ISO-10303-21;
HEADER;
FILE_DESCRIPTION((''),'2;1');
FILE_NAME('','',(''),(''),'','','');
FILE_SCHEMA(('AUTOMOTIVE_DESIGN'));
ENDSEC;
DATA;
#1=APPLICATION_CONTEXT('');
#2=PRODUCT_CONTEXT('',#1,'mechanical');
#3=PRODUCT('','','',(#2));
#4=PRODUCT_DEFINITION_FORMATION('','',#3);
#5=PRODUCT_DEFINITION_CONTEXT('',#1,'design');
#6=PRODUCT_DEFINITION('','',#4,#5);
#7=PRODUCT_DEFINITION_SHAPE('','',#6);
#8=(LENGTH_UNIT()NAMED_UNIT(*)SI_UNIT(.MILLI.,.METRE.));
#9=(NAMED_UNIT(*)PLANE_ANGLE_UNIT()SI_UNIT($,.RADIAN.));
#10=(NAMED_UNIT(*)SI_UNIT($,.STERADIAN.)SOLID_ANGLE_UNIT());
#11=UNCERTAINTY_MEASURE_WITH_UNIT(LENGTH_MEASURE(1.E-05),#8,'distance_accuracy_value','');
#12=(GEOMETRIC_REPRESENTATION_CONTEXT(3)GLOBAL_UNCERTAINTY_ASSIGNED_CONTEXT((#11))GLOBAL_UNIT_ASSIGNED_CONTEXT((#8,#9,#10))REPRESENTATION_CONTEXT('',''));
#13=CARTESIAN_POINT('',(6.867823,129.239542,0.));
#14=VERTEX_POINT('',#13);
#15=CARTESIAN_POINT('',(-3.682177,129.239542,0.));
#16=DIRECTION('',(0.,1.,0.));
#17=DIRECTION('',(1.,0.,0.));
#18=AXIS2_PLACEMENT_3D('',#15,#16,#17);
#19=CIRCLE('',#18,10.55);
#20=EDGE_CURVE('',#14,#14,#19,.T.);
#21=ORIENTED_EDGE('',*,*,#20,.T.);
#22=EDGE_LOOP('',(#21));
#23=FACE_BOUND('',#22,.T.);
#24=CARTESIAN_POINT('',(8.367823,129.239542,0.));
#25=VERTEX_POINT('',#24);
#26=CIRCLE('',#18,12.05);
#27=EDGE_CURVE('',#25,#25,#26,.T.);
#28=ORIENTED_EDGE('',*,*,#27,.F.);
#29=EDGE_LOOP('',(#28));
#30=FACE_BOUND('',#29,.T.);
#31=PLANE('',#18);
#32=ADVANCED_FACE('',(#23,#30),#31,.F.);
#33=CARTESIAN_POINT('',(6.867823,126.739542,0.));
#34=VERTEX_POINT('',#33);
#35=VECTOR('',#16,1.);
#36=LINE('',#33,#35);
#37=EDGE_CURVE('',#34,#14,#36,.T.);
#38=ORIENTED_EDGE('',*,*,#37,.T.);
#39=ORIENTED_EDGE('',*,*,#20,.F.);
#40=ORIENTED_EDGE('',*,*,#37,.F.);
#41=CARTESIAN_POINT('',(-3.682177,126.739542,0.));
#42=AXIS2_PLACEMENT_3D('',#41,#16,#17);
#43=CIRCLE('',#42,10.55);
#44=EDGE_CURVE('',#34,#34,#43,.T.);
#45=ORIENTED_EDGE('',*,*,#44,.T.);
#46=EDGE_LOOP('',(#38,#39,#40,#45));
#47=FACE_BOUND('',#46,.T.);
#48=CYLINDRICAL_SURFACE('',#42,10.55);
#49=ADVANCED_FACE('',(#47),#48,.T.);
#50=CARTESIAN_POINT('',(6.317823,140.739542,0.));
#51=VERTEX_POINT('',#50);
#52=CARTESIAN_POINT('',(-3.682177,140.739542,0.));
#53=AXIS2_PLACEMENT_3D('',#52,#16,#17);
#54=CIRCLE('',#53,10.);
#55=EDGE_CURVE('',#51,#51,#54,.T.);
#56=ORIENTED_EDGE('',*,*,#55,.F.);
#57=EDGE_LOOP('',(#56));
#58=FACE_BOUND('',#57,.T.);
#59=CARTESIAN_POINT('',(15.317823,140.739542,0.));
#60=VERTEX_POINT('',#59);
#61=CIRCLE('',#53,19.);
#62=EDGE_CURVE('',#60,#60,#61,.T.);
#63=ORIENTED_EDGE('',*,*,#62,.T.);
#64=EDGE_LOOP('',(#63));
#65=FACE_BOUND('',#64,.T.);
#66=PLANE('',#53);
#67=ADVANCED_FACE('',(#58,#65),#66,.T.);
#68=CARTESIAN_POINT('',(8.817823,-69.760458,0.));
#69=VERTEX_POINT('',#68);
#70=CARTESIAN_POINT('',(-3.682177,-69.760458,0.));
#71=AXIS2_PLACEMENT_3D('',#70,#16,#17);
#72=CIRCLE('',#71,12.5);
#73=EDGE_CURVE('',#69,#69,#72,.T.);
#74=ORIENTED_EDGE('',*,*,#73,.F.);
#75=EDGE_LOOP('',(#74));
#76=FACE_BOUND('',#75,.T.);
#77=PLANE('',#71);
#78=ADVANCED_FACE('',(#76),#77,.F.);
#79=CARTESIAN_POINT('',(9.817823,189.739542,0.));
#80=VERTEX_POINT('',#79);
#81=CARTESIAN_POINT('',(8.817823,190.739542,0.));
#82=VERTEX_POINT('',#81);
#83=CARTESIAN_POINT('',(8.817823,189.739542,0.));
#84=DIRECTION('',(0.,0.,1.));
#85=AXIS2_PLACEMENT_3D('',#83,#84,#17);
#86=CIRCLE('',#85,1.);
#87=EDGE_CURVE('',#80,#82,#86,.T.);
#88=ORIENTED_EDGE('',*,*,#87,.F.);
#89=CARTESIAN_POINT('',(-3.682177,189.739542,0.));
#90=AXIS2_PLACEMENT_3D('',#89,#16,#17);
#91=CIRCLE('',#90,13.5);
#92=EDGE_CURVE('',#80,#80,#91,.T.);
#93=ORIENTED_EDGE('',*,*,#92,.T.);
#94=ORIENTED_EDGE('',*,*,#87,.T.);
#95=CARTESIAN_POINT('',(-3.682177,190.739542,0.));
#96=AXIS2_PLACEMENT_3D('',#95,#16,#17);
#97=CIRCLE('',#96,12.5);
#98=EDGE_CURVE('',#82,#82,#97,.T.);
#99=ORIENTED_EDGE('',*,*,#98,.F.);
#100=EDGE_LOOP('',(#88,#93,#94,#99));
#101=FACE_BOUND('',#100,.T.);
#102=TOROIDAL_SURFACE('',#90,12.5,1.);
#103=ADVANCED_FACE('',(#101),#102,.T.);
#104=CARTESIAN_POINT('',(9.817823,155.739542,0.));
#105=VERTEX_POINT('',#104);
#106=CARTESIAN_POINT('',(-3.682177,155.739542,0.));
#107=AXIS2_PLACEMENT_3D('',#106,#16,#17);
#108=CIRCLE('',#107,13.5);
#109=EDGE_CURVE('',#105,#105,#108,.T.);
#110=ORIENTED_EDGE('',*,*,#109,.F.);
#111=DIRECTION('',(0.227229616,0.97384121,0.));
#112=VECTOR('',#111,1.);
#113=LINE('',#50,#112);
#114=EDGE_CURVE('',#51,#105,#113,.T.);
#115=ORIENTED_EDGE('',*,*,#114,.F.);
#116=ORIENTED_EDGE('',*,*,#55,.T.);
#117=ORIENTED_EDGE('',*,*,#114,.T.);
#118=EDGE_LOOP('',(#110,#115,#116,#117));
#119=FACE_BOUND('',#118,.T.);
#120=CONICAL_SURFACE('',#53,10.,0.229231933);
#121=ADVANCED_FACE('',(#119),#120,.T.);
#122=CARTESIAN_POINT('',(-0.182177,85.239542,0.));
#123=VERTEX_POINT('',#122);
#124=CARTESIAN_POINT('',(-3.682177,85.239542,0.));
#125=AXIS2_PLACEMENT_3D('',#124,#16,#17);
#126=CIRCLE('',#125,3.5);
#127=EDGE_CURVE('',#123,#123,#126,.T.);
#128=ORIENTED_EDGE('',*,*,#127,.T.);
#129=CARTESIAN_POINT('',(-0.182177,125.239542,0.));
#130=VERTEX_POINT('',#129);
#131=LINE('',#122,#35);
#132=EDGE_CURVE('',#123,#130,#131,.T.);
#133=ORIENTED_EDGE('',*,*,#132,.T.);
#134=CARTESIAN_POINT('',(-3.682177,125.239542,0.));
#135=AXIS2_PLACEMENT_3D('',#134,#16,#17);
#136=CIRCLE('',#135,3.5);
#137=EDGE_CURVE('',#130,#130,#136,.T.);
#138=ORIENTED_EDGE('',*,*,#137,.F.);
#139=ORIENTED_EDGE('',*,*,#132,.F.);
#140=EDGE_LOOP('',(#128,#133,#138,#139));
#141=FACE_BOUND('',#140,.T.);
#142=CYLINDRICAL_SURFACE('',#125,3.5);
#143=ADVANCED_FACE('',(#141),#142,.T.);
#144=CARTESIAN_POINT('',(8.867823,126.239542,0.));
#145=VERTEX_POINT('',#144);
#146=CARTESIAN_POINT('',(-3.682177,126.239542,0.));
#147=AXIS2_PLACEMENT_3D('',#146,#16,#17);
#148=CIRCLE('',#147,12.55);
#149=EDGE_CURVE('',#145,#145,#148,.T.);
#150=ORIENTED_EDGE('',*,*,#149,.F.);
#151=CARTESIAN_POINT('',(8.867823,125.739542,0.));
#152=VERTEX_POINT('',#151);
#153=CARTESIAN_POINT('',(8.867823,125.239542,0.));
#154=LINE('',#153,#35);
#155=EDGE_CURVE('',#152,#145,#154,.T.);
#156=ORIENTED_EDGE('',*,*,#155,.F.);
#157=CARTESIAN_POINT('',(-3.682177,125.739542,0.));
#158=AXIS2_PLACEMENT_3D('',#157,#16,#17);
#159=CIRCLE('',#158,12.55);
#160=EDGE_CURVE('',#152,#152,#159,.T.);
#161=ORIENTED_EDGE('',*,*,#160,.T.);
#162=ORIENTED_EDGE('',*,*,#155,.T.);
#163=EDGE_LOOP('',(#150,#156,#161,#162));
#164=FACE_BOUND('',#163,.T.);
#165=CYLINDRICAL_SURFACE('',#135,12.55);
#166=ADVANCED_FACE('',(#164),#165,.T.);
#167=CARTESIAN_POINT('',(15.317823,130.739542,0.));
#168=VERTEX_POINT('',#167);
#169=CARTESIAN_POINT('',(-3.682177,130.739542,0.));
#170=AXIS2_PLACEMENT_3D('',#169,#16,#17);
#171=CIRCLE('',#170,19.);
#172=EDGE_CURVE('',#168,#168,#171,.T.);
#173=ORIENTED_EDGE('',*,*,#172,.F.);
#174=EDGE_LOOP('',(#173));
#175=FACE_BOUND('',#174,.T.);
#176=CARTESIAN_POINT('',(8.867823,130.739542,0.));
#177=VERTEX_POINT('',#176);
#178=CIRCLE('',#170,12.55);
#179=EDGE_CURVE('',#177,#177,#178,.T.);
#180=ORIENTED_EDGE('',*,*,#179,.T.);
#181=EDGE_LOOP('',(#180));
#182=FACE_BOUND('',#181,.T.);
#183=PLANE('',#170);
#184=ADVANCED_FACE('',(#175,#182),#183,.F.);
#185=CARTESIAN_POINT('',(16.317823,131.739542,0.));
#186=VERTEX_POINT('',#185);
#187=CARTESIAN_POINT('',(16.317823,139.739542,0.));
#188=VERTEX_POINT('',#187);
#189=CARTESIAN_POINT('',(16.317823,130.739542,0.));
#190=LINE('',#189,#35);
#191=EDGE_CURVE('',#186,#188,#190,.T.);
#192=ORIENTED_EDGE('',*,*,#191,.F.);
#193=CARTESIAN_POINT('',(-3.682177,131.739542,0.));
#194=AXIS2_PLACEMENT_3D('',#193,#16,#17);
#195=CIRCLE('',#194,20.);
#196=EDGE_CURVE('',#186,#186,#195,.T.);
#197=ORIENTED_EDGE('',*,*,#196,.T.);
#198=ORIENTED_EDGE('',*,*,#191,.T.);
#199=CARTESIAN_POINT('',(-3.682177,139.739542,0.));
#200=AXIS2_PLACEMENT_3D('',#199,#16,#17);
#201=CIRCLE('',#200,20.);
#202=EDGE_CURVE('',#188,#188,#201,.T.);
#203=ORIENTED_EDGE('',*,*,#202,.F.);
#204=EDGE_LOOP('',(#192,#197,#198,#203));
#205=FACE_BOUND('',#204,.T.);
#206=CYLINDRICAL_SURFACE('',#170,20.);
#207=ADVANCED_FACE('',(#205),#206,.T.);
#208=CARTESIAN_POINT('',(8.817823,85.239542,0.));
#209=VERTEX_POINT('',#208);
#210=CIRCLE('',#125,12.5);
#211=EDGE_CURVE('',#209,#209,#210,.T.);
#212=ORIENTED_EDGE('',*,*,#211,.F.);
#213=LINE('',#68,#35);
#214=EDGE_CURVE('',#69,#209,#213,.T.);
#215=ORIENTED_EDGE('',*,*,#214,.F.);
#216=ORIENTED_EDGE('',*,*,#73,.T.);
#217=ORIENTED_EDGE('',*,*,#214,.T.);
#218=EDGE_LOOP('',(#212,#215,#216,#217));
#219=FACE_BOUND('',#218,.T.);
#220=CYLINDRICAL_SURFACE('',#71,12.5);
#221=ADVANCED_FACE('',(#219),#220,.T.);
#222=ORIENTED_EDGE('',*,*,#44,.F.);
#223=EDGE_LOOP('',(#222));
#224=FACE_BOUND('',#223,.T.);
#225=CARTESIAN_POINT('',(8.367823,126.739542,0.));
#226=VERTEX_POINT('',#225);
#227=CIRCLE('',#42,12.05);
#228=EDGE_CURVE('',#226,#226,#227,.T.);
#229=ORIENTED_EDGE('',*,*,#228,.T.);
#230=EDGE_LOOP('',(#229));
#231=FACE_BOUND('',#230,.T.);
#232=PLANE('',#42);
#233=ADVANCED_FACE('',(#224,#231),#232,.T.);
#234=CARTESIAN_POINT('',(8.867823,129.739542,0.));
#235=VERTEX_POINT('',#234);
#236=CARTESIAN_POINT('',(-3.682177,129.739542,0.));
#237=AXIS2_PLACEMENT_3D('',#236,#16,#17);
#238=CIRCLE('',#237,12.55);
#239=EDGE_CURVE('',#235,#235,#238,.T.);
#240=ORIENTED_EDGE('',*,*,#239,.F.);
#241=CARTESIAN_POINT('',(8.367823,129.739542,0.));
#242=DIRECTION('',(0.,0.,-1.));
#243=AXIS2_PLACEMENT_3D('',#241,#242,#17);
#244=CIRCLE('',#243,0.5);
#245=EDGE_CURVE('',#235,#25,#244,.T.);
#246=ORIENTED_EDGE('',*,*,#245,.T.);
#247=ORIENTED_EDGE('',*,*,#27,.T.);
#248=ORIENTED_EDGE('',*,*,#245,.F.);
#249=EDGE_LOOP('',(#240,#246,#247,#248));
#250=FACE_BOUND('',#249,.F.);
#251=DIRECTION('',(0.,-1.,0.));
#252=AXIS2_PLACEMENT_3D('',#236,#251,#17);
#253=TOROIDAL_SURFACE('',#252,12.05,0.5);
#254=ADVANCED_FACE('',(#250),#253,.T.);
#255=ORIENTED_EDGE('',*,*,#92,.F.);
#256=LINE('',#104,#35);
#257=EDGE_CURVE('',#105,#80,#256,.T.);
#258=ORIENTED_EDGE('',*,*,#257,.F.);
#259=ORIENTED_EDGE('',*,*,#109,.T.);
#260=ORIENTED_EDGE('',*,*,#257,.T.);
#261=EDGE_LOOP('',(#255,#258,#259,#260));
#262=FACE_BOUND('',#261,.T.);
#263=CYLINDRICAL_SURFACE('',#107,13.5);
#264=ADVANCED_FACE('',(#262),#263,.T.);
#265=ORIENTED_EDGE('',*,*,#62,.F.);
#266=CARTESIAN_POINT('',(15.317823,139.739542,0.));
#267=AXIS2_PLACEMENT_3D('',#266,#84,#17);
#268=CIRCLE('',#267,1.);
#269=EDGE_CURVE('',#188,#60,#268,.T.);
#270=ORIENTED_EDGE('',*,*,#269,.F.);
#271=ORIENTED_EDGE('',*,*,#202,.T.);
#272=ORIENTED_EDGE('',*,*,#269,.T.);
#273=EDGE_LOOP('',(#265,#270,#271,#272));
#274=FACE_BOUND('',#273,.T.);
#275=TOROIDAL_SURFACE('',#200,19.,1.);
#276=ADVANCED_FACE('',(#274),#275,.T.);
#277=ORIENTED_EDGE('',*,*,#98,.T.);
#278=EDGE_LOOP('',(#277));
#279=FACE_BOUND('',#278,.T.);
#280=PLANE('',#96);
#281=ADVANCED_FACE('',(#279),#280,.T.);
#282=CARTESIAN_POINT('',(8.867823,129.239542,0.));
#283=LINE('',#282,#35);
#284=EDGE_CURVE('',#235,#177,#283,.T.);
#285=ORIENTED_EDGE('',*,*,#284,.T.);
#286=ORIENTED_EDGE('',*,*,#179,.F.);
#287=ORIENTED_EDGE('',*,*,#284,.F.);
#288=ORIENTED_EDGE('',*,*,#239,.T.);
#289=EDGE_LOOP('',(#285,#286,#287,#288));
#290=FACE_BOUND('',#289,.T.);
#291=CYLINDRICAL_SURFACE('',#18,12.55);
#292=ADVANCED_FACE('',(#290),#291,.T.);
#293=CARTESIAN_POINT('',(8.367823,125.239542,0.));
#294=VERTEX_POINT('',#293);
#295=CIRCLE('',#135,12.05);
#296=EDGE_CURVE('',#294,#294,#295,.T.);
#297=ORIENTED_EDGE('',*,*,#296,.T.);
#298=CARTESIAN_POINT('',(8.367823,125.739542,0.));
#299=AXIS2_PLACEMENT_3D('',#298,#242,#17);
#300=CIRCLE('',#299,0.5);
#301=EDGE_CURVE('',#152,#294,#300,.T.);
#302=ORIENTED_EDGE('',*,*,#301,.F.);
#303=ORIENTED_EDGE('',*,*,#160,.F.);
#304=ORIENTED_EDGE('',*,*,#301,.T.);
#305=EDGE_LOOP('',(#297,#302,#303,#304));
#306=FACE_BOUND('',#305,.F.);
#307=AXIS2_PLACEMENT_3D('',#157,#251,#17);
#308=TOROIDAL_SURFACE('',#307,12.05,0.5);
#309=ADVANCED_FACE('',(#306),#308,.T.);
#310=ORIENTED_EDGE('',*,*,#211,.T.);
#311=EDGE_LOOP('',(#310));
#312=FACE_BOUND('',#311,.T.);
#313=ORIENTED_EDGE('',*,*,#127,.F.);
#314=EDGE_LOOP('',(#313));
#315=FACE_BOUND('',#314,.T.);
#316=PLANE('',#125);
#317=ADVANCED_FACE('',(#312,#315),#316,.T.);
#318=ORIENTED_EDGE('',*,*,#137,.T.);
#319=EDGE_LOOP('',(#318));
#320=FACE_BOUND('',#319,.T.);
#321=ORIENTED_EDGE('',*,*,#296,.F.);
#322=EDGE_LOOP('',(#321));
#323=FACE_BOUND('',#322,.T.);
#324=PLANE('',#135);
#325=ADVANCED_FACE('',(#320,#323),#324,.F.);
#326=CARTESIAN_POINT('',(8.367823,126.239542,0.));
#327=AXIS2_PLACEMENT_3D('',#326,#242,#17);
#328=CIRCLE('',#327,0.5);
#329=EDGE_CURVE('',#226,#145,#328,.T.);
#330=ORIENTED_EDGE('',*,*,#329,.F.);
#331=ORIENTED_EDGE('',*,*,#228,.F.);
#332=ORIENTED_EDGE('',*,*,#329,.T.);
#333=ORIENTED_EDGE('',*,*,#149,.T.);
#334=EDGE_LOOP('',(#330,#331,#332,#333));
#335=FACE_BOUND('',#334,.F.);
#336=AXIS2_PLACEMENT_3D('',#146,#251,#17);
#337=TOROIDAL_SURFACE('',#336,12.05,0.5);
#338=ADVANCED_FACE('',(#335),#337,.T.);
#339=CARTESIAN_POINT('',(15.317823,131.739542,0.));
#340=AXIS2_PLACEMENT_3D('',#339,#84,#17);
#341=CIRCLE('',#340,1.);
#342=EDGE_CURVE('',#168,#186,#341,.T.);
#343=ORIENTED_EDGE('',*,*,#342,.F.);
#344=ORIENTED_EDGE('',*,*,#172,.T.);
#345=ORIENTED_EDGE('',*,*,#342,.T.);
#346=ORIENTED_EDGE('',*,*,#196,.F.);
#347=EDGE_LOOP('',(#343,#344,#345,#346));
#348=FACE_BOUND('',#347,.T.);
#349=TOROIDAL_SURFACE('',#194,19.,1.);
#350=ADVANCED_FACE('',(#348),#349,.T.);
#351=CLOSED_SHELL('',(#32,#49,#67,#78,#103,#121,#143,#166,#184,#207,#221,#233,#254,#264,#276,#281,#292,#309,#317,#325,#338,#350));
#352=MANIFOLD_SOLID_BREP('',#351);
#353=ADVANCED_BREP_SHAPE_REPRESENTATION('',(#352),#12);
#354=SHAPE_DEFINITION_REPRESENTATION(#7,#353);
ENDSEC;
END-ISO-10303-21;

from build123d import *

# Parameters (mm, degrees)
F2_R = 1
F3_R = 0.5


with BuildPart() as f1:
    # F0 (on Top) → F1 (revolve)
    with BuildSketch(Plane.XY):
        Polygon((-3.6821774035, 190.7395421601), (-3.6821774035, -69.7604578399), (8.8178225965, -69.7604578399), (8.8178225965, 85.2395421601), (-0.1821774035, 85.2395421601), (-0.1821774035, 125.2395421601), (-0.1821774035, 130.7395421601), (8.8678225965, 130.7395421601), (16.3178225965, 130.7395421601), (16.3178225965, 140.7395421601), (6.3178225965, 140.7395421601), (9.8178225965, 155.7395421601), (9.8178225965, 190.7395421601), align=None)
        Polygon((-0.1821774035, 130.7395421601), (-0.1821774035, 125.2395421601), (8.8678225965, 125.2395421601), (8.8678225965, 126.7395421601), (6.8678225965, 126.7395421601), (6.8678225965, 129.2395421601), (8.8678225965, 129.2395421601), (8.8678225965, 130.7395421601), align=None)
    revolve(axis=Axis((-3.6821774035, 60.4895421601, 0), (0, 1, 0)))

    # F2
    f2_edges = [f1.edges().sort_by_distance(p)[0] for p in [
        (-17.182177, 190.739542, 0),
        (-23.682177, 140.739542, 0),
        (-23.682177, 130.739542, 0),
    ]]
    fillet(f2_edges, radius=F2_R)

    # F3
    f3_edges = [f1.edges().sort_by_distance(p)[0] for p in [
        (-16.232177, 125.239542, 0),
        (-16.232177, 126.739542, 0),
        (-16.232177, 129.239542, 0),
    ]]
    fillet(f3_edges, radius=F3_R)


solid = f1.part
